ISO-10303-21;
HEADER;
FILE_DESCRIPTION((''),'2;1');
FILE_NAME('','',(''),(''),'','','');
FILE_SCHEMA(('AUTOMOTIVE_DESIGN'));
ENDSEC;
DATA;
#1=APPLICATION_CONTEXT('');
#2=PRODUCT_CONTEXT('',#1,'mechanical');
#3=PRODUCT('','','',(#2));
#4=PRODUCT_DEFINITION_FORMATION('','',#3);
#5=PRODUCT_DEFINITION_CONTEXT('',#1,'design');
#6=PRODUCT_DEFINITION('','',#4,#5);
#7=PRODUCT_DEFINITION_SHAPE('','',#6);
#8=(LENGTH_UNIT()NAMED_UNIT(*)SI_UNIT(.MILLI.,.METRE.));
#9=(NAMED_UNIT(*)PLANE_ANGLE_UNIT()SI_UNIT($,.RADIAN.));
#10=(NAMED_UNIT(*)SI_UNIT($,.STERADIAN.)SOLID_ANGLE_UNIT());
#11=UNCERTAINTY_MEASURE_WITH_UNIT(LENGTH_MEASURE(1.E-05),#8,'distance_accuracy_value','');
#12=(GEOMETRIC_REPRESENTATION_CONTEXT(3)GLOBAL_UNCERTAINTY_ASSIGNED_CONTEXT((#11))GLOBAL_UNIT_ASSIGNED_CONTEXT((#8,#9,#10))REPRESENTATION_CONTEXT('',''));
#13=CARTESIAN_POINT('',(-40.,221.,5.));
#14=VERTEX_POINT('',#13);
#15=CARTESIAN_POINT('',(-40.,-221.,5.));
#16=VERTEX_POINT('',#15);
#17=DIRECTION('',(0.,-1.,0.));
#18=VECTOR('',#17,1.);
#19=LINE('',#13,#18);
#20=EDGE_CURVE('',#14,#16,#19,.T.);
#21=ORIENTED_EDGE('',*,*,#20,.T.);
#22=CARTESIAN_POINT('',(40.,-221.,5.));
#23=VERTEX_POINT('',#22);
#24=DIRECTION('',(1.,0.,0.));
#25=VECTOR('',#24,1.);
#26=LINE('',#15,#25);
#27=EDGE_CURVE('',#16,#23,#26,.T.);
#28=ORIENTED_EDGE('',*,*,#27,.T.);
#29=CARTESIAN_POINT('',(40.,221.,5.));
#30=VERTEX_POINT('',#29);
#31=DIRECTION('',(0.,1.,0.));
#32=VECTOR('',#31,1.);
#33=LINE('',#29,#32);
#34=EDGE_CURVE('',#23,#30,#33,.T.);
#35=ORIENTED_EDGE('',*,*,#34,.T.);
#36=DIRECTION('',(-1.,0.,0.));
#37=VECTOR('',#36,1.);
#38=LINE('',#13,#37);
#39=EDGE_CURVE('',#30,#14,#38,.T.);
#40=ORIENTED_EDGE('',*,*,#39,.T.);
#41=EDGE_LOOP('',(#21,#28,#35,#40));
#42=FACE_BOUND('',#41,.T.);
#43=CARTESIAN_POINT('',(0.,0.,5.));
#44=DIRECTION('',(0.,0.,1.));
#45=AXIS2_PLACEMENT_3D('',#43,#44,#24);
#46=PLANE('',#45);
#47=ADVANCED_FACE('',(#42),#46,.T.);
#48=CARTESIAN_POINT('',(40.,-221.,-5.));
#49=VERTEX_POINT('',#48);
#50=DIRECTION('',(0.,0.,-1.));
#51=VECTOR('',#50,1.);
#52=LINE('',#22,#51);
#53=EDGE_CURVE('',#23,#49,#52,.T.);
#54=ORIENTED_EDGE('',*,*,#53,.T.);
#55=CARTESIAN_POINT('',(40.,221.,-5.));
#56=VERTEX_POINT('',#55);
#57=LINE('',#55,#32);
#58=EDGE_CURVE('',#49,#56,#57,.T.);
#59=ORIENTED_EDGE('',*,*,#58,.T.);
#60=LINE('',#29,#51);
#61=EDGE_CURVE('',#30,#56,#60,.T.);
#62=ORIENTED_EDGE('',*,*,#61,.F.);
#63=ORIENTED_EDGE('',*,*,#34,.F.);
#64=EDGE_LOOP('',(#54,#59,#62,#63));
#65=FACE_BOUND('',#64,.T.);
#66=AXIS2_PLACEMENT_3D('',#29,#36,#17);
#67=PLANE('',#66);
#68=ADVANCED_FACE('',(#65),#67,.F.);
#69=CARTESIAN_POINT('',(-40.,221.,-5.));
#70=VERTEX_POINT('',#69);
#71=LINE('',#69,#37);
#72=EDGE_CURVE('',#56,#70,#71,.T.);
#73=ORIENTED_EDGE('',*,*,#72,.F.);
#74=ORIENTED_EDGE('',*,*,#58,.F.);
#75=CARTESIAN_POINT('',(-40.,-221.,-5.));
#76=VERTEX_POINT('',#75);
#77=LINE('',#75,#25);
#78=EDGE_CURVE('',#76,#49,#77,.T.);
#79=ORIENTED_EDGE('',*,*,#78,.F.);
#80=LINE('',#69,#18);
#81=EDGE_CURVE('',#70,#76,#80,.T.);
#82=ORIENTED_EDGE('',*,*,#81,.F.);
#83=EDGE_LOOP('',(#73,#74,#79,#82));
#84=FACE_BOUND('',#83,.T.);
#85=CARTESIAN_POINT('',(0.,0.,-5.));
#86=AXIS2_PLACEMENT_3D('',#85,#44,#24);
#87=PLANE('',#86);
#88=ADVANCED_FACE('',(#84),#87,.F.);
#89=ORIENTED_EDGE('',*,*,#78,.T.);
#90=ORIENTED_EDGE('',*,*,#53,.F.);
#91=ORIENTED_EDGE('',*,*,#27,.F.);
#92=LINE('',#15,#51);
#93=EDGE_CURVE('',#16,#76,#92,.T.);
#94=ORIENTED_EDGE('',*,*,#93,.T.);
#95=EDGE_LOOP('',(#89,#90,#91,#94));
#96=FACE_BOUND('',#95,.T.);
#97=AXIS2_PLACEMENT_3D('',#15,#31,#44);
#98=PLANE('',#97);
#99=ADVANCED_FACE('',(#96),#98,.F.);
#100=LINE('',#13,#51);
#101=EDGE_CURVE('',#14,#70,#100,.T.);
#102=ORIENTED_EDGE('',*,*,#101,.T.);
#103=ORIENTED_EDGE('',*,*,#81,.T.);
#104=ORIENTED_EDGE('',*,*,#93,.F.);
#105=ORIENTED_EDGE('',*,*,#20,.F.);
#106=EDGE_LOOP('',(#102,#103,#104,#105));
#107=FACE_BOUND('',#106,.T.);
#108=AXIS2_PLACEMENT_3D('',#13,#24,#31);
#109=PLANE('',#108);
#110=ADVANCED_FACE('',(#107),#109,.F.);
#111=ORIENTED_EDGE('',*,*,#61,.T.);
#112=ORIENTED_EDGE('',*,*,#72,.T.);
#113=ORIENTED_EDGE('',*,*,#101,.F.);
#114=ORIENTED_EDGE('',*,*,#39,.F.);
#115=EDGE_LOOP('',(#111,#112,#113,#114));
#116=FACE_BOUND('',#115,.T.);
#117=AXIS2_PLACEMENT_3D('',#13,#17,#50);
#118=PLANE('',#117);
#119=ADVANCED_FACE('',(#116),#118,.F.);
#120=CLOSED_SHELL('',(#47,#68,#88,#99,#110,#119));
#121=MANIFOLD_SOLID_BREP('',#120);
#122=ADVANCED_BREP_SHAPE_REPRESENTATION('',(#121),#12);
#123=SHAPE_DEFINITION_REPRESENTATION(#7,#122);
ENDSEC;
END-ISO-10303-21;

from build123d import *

# Parameters (mm, degrees)
SKETCH1_W           = 80
SKETCH1_H           = 442
BOSS_EXTRUDE1_DEPTH = 5


with BuildPart() as part:
    # Sketch1 → Boss-Extrude1 (new body, symmetric)
    with BuildSketch(Plane.XY):
        Rectangle(SKETCH1_W, SKETCH1_H)
    extrude(amount=BOSS_EXTRUDE1_DEPTH, both=True)


solid = part.part
